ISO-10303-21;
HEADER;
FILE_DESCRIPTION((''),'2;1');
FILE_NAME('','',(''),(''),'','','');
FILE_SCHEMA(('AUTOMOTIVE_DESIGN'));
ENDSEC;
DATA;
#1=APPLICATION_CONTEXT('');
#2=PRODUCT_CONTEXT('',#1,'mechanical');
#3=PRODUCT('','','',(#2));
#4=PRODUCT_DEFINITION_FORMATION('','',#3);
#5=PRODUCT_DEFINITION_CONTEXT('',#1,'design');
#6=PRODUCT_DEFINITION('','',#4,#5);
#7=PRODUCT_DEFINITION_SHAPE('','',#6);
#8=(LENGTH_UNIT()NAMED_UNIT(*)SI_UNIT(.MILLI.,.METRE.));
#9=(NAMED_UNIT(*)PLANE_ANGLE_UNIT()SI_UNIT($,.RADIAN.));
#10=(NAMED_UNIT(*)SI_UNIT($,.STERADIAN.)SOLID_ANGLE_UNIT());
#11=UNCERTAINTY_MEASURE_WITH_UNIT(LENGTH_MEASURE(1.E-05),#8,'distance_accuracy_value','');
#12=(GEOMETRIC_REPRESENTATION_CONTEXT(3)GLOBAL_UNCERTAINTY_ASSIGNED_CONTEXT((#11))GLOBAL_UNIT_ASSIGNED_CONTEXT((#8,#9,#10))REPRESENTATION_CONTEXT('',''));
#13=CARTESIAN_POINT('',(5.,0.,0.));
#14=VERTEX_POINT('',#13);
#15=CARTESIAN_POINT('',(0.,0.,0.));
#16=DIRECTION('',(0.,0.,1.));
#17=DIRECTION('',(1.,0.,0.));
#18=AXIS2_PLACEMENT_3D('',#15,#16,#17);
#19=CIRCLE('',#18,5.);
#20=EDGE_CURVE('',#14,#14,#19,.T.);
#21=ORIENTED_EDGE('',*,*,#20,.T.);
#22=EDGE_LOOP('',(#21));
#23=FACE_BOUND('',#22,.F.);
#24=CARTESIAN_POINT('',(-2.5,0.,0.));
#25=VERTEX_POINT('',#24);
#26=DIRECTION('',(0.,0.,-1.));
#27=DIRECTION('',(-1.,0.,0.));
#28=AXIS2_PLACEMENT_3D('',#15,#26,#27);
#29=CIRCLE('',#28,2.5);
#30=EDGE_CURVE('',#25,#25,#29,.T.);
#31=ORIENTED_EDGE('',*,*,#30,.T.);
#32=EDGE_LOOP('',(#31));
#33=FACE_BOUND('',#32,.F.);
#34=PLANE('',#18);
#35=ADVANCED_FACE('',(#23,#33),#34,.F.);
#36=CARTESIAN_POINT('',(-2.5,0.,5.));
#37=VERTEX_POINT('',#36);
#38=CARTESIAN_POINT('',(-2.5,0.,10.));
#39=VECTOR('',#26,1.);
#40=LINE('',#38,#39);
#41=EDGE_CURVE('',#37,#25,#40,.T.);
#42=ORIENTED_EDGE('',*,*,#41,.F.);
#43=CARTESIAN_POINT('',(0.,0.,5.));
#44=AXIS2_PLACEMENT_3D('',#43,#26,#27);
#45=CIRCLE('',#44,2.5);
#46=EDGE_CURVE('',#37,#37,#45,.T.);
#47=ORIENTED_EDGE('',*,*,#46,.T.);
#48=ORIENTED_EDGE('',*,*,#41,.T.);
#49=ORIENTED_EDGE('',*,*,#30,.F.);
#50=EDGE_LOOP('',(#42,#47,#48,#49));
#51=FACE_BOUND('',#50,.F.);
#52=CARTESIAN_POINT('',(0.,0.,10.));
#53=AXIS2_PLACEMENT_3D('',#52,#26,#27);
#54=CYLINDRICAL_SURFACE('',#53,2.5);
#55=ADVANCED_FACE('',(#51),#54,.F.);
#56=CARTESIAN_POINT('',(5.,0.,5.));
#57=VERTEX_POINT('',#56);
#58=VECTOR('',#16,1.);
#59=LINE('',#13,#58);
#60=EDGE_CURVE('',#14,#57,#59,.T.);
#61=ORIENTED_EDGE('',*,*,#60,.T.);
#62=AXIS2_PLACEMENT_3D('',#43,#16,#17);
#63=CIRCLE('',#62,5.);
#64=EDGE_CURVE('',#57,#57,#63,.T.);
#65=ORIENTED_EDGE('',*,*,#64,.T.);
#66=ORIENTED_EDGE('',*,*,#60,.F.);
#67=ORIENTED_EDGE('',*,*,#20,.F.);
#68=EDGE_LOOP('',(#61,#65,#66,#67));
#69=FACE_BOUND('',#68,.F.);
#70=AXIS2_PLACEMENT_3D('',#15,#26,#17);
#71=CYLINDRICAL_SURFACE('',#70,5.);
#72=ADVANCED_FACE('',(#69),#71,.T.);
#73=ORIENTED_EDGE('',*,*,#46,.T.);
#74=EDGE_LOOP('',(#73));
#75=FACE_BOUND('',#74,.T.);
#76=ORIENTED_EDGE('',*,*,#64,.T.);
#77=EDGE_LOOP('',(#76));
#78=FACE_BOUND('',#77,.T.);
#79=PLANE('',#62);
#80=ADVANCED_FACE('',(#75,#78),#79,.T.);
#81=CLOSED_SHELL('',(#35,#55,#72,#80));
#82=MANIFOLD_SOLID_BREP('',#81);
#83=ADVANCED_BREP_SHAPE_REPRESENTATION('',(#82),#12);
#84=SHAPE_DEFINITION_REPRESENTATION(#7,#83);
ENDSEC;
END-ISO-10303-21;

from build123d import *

# Parameters (mm, degrees)
SKETCH1_R                 = 5
BOSS_EXTRUDE1_DEPTH       = 5
F_5_0MM_DOWEL_HOLE1_D     = 5
F_5_0MM_DOWEL_HOLE1_DEPTH = 5


with BuildPart() as part:
    # Sketch1 → Boss-Extrude1 (new body)
    with BuildSketch(Plane.XY):
        Circle(SKETCH1_R)
    extrude(amount=BOSS_EXTRUDE1_DEPTH)

    # Ø5.0mm Dowel Hole1
    with Locations(Plane.XY.offset(5)):
        with Locations((0, 0)):
            Hole(F_5_0MM_DOWEL_HOLE1_D / 2, depth=F_5_0MM_DOWEL_HOLE1_DEPTH)


solid = part.part
